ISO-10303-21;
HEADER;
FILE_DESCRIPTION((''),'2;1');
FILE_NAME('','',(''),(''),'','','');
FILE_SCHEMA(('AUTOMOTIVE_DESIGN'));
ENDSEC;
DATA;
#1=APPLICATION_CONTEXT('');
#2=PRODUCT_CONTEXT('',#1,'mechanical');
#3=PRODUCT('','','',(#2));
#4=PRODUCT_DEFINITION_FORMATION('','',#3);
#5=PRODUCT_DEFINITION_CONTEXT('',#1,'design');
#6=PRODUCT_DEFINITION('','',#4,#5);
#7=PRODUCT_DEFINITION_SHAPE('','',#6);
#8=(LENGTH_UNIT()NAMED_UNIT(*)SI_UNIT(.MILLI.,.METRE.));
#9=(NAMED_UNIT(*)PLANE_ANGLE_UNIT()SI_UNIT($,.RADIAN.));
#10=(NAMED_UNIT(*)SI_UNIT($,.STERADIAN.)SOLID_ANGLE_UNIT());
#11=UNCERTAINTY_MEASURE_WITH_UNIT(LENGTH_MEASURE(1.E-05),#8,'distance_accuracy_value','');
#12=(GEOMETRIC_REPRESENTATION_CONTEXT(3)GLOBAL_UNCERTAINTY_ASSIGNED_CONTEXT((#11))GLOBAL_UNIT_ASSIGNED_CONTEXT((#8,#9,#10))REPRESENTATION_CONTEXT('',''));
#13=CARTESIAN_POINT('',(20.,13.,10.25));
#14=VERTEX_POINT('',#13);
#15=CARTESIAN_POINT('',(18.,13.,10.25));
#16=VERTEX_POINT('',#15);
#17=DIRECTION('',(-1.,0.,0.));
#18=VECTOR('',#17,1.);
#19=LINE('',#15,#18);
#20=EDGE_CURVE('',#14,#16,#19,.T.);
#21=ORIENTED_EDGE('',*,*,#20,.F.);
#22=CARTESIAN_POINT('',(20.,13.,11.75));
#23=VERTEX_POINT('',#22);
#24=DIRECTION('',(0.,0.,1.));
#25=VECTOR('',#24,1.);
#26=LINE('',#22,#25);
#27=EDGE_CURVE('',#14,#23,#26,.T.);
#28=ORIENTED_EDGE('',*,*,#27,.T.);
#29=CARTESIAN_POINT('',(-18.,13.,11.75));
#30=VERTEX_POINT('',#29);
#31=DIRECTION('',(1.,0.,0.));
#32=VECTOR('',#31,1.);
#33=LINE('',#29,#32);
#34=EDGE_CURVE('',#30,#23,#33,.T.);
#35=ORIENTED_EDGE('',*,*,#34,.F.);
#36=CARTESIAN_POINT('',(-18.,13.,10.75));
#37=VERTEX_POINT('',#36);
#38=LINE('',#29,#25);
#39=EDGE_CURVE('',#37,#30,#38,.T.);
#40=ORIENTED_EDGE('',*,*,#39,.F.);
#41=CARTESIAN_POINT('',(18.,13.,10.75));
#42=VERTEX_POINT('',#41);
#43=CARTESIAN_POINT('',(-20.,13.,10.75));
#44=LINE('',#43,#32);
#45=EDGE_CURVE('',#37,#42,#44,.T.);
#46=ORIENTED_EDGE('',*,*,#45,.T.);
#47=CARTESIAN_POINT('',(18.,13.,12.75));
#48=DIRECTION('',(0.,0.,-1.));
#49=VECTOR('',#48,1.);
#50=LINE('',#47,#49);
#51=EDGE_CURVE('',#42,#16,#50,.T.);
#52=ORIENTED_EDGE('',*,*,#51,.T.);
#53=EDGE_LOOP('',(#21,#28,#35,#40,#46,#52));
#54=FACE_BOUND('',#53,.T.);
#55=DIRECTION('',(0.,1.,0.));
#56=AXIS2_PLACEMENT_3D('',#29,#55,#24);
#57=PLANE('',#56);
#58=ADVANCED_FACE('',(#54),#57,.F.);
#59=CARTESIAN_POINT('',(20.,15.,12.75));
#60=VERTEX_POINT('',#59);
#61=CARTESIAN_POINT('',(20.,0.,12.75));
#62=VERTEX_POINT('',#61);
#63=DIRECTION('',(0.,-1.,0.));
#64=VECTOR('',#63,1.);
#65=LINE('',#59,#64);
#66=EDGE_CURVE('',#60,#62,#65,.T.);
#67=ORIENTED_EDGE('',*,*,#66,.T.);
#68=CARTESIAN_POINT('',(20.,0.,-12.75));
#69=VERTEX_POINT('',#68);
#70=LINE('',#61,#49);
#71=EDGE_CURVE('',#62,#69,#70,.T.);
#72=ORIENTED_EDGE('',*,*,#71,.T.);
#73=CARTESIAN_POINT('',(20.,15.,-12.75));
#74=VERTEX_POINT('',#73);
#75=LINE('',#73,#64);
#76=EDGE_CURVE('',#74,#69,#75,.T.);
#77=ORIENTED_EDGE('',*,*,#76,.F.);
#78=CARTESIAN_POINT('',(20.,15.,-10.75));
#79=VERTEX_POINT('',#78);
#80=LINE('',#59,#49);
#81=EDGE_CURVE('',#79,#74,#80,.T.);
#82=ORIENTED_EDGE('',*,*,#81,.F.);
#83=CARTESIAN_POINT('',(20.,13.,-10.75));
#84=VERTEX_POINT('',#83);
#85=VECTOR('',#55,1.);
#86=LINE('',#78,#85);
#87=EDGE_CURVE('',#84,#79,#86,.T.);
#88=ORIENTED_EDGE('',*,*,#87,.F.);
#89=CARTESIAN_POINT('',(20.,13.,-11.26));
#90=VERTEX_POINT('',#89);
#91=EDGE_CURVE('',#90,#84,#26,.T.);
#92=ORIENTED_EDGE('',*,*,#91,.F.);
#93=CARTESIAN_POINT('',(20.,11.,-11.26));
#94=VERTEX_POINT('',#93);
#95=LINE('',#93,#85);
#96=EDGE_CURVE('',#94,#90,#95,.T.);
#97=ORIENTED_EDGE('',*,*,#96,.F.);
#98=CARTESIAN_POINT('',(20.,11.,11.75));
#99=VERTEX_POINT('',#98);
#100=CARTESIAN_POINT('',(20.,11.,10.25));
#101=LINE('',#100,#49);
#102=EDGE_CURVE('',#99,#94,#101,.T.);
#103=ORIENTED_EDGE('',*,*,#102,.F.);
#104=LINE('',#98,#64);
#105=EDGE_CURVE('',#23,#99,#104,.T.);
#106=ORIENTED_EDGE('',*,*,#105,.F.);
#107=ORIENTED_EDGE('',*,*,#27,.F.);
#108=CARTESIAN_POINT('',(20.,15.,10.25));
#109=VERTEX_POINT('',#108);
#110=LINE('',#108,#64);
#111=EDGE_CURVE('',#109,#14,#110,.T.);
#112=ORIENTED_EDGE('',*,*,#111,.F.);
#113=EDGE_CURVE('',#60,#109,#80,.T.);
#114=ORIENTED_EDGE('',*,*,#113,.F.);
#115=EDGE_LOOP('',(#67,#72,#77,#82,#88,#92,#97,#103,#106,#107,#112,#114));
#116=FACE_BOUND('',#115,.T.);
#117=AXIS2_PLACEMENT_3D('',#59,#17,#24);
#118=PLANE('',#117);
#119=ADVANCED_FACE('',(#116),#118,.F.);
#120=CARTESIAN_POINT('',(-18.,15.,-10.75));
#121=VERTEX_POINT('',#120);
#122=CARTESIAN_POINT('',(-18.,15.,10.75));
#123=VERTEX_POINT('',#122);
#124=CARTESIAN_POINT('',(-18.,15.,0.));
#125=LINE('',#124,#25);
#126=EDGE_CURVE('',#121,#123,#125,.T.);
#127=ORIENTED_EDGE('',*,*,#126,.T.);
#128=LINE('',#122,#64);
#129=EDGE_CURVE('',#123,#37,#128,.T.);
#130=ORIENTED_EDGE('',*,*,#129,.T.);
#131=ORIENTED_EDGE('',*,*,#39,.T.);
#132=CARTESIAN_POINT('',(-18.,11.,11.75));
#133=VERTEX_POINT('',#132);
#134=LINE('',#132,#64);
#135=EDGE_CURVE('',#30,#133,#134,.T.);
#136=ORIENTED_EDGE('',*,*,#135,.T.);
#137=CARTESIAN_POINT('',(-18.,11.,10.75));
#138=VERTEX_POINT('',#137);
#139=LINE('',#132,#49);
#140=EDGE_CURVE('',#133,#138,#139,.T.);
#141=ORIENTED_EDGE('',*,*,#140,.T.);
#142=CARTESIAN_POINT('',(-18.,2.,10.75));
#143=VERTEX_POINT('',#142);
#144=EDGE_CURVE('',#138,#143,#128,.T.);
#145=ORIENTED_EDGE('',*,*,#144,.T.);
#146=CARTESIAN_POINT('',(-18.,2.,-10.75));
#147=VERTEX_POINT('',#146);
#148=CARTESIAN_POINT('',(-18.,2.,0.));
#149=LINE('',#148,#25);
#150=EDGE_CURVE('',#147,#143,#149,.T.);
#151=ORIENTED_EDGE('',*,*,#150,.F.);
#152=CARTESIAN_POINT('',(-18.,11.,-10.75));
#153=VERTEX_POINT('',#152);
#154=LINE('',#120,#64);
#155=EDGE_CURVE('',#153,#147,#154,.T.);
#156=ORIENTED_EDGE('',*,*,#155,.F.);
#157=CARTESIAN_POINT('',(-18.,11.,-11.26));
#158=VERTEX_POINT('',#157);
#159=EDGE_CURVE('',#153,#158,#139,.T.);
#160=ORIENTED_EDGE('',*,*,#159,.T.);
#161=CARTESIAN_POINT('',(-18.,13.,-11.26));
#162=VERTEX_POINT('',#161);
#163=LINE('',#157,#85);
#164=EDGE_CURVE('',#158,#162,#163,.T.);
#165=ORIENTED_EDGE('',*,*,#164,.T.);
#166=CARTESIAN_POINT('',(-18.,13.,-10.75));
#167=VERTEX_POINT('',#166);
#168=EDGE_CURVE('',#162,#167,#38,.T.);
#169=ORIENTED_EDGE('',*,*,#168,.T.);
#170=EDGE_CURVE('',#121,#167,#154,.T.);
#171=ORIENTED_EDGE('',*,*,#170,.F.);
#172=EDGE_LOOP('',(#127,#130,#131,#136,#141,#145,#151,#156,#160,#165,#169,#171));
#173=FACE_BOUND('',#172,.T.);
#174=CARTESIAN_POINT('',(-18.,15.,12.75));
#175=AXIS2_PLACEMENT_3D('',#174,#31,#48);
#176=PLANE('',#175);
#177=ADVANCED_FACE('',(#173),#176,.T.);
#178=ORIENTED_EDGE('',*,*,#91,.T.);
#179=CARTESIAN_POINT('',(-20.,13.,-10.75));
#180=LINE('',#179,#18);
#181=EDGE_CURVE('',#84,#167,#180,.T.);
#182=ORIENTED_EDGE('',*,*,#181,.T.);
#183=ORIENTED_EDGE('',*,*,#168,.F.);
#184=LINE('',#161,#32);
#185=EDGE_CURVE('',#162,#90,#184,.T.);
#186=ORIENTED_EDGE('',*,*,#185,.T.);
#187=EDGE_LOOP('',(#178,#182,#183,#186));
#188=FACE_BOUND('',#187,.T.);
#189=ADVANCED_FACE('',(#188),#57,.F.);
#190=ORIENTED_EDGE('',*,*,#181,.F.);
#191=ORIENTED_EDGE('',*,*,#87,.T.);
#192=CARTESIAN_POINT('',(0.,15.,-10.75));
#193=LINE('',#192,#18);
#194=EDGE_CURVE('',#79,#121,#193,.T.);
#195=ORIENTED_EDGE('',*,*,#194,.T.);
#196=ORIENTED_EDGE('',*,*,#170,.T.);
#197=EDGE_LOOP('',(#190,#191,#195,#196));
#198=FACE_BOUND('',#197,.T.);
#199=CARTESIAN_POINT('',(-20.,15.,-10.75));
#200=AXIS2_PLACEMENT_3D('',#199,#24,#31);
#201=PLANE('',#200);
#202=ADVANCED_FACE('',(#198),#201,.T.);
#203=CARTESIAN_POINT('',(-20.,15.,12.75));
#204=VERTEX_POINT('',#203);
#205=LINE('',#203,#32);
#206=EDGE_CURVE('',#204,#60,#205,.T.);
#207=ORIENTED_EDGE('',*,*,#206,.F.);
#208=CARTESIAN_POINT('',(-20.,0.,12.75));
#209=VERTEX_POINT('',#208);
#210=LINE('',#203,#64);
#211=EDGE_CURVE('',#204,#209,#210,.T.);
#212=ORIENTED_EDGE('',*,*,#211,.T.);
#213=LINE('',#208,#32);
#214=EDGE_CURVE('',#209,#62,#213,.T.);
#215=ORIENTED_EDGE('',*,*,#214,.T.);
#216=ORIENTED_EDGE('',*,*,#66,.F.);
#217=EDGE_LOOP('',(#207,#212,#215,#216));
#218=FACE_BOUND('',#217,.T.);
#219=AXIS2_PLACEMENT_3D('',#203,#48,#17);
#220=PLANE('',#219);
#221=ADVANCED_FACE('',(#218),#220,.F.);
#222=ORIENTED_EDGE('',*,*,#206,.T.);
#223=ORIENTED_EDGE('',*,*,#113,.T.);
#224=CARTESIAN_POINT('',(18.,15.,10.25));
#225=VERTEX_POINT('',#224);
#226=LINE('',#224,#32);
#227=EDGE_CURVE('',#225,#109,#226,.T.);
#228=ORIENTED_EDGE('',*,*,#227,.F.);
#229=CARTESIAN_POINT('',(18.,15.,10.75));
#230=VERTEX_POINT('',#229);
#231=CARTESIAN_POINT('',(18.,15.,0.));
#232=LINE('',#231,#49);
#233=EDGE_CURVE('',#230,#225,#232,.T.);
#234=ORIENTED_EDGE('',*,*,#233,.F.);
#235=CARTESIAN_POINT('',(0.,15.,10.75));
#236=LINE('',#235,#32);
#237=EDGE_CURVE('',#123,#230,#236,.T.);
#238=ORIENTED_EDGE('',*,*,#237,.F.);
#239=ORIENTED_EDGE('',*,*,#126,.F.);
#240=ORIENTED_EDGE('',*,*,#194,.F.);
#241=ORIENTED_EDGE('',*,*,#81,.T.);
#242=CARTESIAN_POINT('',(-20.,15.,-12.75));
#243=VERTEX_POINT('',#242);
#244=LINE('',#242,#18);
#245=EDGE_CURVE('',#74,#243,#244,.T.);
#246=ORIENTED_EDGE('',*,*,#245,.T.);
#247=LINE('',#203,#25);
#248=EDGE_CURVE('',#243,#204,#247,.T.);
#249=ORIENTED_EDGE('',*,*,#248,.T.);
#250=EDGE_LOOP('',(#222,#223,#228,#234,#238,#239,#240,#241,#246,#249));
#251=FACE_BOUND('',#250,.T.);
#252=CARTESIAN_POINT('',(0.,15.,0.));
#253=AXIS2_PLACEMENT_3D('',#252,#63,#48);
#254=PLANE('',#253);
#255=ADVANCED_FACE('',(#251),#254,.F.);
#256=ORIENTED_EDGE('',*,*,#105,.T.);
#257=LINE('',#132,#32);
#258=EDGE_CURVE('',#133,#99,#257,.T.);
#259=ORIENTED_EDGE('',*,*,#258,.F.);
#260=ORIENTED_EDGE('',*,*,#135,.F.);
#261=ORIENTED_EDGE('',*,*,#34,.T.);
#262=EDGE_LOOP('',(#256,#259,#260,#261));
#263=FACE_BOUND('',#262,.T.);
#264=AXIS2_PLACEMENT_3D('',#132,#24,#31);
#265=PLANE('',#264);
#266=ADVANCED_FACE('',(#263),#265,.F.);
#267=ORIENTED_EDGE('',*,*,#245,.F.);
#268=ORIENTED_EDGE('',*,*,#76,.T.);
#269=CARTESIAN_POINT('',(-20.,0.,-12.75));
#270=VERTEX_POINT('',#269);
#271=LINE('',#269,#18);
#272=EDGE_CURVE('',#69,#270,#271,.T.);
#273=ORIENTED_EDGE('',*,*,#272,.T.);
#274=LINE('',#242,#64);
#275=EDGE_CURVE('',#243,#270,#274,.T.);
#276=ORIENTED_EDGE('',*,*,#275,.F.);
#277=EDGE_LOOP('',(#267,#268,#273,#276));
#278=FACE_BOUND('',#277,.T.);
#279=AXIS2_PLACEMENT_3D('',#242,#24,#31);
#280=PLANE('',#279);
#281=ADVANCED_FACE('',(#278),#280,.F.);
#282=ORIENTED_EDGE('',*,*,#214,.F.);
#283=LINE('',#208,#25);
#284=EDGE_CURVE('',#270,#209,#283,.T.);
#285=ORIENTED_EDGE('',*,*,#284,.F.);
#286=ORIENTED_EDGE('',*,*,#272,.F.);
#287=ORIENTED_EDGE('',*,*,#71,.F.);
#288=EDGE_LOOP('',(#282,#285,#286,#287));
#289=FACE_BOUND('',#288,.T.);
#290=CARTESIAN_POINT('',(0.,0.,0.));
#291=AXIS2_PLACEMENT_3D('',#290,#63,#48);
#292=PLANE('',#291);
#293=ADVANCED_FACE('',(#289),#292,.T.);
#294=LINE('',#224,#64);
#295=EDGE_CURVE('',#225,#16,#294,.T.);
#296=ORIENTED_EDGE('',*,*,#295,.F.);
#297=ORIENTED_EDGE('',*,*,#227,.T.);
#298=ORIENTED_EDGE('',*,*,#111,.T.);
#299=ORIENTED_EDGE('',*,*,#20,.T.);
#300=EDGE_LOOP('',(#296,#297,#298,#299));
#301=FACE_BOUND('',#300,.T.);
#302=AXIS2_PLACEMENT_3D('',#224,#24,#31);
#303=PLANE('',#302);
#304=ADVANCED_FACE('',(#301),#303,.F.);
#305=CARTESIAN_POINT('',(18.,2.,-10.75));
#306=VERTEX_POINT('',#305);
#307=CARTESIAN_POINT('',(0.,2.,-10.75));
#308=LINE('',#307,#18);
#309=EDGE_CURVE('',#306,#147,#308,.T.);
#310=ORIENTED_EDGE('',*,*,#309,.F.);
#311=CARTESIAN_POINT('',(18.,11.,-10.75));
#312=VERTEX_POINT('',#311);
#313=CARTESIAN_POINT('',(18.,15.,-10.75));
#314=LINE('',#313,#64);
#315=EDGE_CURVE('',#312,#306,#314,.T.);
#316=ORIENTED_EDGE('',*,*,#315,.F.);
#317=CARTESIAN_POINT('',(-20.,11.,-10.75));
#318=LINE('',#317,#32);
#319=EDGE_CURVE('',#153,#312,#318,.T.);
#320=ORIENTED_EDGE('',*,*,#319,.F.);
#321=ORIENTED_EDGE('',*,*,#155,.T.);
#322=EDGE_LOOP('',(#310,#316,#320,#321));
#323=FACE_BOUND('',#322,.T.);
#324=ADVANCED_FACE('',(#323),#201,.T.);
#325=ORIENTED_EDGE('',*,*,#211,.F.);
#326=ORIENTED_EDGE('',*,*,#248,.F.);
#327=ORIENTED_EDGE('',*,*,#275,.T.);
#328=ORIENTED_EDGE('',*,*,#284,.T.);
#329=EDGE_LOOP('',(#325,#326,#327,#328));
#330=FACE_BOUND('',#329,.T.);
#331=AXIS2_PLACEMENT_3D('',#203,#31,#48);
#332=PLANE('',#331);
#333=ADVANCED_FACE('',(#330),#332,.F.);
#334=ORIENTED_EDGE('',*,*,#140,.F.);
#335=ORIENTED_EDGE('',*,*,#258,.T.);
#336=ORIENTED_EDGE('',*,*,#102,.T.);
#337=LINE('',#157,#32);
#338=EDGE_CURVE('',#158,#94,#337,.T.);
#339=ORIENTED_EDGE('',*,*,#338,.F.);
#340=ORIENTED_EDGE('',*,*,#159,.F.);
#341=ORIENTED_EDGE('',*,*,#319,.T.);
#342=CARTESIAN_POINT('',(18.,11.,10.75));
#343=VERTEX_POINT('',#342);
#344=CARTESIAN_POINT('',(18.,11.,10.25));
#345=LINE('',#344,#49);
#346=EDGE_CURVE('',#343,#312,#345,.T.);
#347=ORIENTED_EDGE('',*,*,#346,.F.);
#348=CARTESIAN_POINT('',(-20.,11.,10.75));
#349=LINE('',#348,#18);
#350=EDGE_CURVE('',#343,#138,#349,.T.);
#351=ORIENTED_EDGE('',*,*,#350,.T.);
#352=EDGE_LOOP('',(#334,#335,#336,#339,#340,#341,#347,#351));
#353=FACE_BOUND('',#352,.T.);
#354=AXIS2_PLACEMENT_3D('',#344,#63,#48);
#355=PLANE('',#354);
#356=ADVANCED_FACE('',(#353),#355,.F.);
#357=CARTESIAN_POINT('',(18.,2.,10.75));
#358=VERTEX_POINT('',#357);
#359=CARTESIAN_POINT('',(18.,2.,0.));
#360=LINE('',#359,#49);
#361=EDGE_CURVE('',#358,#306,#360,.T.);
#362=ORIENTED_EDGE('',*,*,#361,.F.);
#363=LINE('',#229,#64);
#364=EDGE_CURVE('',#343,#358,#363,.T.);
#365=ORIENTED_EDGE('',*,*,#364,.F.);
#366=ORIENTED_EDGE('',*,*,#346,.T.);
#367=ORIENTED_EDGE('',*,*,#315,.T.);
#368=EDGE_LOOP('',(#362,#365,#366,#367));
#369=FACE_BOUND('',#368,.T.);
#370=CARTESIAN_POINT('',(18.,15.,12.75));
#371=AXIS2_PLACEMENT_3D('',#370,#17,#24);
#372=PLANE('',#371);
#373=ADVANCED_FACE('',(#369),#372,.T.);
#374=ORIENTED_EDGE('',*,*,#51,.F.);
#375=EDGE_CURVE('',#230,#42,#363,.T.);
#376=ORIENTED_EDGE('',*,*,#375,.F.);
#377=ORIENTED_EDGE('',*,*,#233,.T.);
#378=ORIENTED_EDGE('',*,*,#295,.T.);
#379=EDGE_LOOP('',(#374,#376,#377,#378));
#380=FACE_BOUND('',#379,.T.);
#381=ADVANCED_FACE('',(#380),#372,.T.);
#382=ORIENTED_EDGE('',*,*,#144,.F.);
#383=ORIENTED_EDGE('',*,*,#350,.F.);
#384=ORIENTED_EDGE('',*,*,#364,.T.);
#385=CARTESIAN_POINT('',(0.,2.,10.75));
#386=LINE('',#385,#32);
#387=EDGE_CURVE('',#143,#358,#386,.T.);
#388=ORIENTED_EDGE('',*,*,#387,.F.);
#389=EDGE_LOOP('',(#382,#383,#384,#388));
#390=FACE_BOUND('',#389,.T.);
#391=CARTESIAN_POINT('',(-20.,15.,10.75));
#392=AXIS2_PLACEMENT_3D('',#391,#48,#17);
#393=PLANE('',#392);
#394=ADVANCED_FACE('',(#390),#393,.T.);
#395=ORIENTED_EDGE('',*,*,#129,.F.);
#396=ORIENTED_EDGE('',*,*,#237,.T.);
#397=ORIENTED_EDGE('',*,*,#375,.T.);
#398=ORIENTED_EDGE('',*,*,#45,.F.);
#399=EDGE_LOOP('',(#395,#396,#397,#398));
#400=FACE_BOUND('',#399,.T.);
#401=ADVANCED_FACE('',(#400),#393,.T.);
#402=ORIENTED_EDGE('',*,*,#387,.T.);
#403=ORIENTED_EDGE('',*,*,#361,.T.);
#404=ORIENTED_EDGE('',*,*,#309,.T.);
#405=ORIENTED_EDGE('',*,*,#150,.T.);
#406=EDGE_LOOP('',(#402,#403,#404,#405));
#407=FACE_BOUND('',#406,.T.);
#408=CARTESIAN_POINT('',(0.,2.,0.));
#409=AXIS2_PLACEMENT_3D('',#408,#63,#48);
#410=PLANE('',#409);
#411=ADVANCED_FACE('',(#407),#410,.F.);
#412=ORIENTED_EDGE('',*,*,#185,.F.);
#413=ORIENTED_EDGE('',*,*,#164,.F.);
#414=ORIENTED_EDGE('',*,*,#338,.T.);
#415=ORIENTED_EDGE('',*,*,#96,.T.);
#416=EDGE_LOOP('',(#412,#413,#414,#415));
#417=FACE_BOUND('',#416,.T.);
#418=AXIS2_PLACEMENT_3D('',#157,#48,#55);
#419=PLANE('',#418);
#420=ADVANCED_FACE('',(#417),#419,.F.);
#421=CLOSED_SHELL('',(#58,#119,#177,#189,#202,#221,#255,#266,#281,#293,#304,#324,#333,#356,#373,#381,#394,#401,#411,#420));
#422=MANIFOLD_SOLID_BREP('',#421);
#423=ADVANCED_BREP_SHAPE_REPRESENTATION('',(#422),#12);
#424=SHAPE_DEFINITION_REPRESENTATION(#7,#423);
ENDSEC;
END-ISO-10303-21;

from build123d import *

# Parameters (mm, degrees)
SKETCH1_W           = 40
SKETCH1_H           = 25.5
BOSS_EXTRUDE1_DEPTH = 15
SHELL1_T            = -2
SKETCH2_W           = 21
SKETCH2_H           = 4
CUT_EXTRUDE1_DEPTH  = 2
SKETCH3_W           = 23.01
SKETCH3_H           = 2
CUT_EXTRUDE2_DEPTH  = 38


with BuildPart() as part:
    # Sketch1 → Boss-Extrude1 (new body)
    with BuildSketch(Plane(origin=(0, 0, 0), x_dir=(1, 0, 0), z_dir=(0, 1, 0))):
        Rectangle(SKETCH1_W, SKETCH1_H)
    extrude(amount=BOSS_EXTRUDE1_DEPTH)

    # Shell1
    shell1_openings = [part.faces().sort_by_distance(p)[0] for p in [
        (0, 15, 0),
    ]]
    offset(amount=SHELL1_T, openings=shell1_openings, kind=Kind.INTERSECTION)

    # Sketch2 → Cut-Extrude1 (cut)
    with BuildSketch(Plane(origin=(20, 0, 0), x_dir=(0, 0, -1), z_dir=(1, 0, 0))):
        with Locations((0.25, 13)):
            Rectangle(SKETCH2_W, SKETCH2_H)
    extrude(amount=-CUT_EXTRUDE1_DEPTH, mode=Mode.SUBTRACT)

    # Sketch3 → Cut-Extrude2 (cut)
    with BuildSketch(Plane(origin=(20, 0, 0), x_dir=(0, 0, -1), z_dir=(1, 0, 0))):
        with Locations((-0.245, 12)):
            Rectangle(SKETCH3_W, SKETCH3_H)
    extrude(amount=-CUT_EXTRUDE2_DEPTH, mode=Mode.SUBTRACT)


solid = part.part
